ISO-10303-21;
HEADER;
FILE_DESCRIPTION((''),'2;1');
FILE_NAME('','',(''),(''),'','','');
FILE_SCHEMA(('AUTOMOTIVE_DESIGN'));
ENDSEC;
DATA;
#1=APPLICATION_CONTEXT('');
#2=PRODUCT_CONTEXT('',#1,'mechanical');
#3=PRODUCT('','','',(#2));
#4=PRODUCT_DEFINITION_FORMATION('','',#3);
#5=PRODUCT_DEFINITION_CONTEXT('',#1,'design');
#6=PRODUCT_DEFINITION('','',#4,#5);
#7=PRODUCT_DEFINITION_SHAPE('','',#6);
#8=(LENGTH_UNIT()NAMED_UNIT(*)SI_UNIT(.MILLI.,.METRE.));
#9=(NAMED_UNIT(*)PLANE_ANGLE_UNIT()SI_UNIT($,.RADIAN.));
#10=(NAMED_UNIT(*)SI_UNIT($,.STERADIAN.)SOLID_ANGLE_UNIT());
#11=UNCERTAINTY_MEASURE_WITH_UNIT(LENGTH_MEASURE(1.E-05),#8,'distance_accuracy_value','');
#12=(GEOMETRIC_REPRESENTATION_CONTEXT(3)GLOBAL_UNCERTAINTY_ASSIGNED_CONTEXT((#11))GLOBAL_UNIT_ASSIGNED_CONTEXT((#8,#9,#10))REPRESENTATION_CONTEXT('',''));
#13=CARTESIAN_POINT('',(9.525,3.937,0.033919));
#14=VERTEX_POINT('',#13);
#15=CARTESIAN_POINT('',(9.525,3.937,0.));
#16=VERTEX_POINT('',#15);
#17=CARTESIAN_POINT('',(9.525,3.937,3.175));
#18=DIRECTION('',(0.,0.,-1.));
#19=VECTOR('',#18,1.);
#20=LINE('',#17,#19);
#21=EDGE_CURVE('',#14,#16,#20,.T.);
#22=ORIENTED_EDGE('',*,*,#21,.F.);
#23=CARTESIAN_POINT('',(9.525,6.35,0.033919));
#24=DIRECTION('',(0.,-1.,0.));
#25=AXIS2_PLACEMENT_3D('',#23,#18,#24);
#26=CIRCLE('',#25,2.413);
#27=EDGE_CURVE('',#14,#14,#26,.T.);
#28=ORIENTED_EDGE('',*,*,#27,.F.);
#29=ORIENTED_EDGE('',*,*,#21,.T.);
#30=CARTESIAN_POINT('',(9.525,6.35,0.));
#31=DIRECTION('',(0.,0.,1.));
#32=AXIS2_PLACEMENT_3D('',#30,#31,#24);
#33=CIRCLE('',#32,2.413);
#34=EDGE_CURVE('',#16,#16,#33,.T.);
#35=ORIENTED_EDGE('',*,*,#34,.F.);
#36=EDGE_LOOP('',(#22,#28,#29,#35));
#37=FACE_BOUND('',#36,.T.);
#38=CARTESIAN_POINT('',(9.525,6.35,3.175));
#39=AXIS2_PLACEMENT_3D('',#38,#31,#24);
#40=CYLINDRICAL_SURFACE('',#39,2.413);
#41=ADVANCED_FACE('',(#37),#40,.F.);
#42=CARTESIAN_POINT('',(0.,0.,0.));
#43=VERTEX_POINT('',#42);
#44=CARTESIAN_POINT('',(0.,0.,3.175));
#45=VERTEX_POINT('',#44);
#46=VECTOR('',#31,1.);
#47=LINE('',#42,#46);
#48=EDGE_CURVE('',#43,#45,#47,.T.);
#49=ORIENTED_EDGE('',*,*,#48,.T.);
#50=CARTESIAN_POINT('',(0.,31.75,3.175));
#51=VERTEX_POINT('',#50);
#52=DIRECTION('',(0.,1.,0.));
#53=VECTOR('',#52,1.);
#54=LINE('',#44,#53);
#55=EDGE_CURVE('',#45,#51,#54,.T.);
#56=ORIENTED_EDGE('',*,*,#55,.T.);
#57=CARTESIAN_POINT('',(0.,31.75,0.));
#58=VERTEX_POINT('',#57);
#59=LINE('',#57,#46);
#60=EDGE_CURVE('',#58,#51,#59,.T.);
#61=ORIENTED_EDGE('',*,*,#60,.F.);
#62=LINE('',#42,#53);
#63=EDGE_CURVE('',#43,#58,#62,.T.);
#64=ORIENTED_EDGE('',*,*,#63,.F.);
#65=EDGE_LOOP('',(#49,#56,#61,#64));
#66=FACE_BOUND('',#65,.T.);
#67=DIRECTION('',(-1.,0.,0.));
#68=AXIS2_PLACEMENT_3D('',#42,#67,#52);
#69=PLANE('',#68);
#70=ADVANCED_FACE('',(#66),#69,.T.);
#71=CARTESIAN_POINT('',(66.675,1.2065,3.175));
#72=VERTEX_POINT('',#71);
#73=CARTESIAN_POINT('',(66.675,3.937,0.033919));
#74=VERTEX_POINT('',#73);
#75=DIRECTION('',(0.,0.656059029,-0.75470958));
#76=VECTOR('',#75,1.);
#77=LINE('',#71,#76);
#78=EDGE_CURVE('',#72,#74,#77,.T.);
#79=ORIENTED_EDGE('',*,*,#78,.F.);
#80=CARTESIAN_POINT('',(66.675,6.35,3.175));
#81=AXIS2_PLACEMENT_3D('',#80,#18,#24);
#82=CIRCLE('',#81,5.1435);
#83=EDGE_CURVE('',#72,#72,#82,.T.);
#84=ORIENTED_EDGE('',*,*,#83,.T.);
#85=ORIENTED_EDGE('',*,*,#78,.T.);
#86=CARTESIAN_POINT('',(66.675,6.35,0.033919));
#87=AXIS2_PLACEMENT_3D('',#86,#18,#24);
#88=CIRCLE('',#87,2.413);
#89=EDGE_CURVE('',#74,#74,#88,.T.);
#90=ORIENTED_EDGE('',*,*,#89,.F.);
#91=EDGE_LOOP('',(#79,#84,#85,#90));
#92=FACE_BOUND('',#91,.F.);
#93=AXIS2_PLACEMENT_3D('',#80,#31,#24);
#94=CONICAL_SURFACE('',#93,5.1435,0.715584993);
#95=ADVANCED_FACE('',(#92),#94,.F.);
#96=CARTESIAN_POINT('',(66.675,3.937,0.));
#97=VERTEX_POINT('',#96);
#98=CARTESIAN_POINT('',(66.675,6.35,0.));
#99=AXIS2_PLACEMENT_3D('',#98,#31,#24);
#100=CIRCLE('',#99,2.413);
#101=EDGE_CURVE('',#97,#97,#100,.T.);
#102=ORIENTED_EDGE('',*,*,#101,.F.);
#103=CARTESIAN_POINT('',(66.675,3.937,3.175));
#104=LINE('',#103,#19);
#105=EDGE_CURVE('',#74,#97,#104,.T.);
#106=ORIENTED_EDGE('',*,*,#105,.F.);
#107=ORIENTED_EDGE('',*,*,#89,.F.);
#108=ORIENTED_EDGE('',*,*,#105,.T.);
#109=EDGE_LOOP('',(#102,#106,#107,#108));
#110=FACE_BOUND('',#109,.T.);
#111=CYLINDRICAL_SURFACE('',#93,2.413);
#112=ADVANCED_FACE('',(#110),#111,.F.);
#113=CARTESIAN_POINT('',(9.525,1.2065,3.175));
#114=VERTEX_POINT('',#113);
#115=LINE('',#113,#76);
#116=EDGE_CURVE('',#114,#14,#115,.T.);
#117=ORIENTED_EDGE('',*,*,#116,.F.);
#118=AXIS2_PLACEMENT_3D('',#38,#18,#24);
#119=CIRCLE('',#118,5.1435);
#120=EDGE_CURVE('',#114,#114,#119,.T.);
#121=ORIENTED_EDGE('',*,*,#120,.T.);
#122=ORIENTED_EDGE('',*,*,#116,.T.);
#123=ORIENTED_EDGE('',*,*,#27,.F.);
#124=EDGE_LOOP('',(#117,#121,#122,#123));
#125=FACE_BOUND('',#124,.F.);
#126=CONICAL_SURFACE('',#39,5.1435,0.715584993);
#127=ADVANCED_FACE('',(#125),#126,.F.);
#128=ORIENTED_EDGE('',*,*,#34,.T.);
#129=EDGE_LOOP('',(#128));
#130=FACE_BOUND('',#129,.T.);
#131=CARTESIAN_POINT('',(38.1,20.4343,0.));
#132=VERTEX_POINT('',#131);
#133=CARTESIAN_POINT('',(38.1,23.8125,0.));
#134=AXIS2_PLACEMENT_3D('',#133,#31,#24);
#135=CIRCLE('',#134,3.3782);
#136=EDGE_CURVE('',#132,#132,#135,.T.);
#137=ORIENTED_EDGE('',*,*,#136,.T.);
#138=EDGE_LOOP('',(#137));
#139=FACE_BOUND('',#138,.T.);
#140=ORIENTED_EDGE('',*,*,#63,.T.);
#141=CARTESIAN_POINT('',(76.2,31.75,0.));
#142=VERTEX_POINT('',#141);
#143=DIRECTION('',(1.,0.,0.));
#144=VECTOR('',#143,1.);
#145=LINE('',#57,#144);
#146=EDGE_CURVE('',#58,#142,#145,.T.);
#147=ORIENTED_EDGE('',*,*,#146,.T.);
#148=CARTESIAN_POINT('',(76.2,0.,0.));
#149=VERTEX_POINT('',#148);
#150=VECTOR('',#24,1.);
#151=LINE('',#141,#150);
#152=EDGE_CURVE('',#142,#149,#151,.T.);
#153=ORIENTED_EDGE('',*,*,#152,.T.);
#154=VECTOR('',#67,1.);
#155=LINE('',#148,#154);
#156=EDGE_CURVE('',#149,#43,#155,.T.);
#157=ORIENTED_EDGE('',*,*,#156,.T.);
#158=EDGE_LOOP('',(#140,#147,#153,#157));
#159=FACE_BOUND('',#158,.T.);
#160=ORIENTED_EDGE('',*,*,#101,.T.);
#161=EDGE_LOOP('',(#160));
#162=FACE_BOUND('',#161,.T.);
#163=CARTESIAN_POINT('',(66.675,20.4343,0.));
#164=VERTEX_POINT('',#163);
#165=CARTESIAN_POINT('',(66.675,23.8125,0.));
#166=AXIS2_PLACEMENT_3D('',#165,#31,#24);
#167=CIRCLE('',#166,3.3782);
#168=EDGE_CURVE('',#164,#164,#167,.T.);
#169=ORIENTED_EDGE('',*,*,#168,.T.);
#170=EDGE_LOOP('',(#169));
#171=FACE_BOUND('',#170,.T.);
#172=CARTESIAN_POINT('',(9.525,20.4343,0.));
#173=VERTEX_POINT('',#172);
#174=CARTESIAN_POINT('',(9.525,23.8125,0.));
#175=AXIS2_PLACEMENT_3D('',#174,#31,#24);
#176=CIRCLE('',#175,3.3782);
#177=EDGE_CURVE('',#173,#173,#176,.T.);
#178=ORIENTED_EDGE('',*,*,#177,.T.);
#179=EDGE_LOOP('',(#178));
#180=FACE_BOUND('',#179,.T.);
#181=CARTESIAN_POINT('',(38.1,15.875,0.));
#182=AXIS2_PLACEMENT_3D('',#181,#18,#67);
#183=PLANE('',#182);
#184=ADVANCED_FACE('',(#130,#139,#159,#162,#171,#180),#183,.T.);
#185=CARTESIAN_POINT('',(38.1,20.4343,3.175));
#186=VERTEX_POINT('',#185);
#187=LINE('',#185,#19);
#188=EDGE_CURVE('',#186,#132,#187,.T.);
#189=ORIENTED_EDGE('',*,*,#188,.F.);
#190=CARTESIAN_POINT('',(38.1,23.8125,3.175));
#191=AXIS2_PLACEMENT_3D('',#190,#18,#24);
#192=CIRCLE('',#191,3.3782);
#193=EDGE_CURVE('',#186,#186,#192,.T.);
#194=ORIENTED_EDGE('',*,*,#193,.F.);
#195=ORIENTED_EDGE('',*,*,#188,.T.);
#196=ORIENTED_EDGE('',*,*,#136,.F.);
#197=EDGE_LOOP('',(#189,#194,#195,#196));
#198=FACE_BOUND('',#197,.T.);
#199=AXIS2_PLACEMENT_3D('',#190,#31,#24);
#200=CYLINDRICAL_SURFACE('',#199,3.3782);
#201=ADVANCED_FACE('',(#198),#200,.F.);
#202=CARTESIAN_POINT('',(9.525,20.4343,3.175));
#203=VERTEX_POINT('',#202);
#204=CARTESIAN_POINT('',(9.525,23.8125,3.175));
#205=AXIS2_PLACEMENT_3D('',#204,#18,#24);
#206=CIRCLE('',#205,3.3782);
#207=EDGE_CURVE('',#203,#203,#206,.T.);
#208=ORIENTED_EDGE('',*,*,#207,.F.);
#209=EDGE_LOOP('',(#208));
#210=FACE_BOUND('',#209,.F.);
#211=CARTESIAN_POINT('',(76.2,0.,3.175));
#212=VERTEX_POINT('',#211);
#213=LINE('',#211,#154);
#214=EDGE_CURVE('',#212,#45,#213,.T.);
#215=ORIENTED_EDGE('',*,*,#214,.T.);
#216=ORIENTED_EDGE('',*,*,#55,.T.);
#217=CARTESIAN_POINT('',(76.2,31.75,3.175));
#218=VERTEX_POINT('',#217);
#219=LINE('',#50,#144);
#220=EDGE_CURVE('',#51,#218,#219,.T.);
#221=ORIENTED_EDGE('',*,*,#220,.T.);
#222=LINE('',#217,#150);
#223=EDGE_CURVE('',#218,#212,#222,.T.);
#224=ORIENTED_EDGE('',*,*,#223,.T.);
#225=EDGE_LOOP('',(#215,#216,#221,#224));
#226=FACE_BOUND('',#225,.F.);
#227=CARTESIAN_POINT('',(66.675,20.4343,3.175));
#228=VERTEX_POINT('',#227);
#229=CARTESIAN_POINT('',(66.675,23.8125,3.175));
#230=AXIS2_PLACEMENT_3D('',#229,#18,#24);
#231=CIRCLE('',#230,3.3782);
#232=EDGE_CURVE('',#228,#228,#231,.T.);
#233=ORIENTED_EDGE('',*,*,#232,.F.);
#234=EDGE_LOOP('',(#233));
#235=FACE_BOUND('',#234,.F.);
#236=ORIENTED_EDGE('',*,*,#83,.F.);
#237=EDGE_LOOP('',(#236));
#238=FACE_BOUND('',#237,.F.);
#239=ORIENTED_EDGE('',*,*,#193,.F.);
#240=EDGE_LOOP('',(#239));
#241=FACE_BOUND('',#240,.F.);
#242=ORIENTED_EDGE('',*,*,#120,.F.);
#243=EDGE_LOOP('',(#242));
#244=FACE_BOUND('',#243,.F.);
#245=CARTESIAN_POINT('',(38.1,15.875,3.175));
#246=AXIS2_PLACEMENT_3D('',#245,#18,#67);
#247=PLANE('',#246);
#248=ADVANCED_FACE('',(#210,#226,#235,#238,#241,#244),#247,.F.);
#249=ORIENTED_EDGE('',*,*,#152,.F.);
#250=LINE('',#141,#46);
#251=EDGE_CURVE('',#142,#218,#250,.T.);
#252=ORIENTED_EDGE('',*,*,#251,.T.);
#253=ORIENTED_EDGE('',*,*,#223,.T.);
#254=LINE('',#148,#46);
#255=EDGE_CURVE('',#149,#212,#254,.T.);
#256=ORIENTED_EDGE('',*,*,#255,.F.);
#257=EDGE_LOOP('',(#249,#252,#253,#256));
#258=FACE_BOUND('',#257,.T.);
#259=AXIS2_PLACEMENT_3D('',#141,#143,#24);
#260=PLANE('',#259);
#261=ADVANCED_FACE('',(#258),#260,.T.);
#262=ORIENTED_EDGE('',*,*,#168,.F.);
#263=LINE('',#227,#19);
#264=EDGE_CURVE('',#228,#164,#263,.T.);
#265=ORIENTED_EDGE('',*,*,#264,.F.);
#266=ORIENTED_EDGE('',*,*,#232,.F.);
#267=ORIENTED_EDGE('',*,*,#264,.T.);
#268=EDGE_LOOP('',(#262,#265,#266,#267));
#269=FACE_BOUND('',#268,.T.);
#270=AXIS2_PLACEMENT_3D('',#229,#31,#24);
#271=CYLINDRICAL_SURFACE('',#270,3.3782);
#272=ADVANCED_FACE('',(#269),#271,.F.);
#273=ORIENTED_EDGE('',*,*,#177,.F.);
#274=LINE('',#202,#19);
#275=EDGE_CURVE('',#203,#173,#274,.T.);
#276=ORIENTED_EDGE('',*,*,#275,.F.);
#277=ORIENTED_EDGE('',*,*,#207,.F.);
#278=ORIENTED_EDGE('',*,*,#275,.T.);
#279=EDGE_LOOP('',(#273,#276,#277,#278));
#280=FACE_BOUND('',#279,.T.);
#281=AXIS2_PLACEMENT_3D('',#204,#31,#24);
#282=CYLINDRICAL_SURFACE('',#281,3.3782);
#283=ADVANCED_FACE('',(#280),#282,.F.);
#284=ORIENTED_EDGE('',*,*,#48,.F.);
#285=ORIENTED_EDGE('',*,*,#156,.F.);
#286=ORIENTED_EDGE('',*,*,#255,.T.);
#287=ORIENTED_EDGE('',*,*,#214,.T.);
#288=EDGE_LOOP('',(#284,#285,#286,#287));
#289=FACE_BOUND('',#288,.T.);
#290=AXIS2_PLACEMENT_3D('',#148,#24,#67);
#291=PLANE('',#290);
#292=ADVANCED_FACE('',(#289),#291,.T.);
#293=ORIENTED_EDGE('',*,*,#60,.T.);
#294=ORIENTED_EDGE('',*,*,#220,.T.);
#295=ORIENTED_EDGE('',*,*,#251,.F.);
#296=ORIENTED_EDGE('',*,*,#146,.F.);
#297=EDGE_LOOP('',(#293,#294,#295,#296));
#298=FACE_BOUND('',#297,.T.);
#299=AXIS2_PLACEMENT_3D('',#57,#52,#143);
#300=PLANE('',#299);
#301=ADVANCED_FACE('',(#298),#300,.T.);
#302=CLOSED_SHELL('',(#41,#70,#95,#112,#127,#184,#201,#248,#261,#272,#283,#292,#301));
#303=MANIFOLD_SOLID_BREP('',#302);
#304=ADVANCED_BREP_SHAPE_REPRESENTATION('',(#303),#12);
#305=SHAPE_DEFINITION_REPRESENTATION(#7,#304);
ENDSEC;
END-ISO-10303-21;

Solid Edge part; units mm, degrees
sketch "Sketch1" plane through (0, 0, 0) normal (0, 0, 1) x (1, 0, 0)
  line L0 (0, 0) -> (0, 31.75)
  line L1 (0, 31.75) -> (76.2, 31.75)
  line L2 (76.2, 31.75) -> (76.2, 0)
  line L3 (76.2, 0) -> (0, 0)
  dimension "D1" = 76.2
  dimension "D2" = 31.75
extrude "Protrusion1" add sketch "Sketch1" along normal blind 3.175
hole "Hole_1" at (38.1, 23.8125, 3.175) direction (0, 0, -1) diameter 6.7564 end up to next
hole "Hole1" at (66.675, 23.8125, 3.175) direction (0, 0, -1) diameter 6.7564 end up to next
hole "Hole2" at (9.525, 23.8125, 3.175) direction (0, 0, -1) diameter 6.7564 end up to next
hole "Hole3" at (66.675, 6.35, 3.175) direction (0, 0, -1) diameter 4.826 end up to next countersink diameter 10.287 countersink angle 82
hole "Hole4" at (9.525, 6.35, 3.175) direction (0, 0, -1) diameter 4.826 end up to next countersink diameter 10.287 countersink angle 82
